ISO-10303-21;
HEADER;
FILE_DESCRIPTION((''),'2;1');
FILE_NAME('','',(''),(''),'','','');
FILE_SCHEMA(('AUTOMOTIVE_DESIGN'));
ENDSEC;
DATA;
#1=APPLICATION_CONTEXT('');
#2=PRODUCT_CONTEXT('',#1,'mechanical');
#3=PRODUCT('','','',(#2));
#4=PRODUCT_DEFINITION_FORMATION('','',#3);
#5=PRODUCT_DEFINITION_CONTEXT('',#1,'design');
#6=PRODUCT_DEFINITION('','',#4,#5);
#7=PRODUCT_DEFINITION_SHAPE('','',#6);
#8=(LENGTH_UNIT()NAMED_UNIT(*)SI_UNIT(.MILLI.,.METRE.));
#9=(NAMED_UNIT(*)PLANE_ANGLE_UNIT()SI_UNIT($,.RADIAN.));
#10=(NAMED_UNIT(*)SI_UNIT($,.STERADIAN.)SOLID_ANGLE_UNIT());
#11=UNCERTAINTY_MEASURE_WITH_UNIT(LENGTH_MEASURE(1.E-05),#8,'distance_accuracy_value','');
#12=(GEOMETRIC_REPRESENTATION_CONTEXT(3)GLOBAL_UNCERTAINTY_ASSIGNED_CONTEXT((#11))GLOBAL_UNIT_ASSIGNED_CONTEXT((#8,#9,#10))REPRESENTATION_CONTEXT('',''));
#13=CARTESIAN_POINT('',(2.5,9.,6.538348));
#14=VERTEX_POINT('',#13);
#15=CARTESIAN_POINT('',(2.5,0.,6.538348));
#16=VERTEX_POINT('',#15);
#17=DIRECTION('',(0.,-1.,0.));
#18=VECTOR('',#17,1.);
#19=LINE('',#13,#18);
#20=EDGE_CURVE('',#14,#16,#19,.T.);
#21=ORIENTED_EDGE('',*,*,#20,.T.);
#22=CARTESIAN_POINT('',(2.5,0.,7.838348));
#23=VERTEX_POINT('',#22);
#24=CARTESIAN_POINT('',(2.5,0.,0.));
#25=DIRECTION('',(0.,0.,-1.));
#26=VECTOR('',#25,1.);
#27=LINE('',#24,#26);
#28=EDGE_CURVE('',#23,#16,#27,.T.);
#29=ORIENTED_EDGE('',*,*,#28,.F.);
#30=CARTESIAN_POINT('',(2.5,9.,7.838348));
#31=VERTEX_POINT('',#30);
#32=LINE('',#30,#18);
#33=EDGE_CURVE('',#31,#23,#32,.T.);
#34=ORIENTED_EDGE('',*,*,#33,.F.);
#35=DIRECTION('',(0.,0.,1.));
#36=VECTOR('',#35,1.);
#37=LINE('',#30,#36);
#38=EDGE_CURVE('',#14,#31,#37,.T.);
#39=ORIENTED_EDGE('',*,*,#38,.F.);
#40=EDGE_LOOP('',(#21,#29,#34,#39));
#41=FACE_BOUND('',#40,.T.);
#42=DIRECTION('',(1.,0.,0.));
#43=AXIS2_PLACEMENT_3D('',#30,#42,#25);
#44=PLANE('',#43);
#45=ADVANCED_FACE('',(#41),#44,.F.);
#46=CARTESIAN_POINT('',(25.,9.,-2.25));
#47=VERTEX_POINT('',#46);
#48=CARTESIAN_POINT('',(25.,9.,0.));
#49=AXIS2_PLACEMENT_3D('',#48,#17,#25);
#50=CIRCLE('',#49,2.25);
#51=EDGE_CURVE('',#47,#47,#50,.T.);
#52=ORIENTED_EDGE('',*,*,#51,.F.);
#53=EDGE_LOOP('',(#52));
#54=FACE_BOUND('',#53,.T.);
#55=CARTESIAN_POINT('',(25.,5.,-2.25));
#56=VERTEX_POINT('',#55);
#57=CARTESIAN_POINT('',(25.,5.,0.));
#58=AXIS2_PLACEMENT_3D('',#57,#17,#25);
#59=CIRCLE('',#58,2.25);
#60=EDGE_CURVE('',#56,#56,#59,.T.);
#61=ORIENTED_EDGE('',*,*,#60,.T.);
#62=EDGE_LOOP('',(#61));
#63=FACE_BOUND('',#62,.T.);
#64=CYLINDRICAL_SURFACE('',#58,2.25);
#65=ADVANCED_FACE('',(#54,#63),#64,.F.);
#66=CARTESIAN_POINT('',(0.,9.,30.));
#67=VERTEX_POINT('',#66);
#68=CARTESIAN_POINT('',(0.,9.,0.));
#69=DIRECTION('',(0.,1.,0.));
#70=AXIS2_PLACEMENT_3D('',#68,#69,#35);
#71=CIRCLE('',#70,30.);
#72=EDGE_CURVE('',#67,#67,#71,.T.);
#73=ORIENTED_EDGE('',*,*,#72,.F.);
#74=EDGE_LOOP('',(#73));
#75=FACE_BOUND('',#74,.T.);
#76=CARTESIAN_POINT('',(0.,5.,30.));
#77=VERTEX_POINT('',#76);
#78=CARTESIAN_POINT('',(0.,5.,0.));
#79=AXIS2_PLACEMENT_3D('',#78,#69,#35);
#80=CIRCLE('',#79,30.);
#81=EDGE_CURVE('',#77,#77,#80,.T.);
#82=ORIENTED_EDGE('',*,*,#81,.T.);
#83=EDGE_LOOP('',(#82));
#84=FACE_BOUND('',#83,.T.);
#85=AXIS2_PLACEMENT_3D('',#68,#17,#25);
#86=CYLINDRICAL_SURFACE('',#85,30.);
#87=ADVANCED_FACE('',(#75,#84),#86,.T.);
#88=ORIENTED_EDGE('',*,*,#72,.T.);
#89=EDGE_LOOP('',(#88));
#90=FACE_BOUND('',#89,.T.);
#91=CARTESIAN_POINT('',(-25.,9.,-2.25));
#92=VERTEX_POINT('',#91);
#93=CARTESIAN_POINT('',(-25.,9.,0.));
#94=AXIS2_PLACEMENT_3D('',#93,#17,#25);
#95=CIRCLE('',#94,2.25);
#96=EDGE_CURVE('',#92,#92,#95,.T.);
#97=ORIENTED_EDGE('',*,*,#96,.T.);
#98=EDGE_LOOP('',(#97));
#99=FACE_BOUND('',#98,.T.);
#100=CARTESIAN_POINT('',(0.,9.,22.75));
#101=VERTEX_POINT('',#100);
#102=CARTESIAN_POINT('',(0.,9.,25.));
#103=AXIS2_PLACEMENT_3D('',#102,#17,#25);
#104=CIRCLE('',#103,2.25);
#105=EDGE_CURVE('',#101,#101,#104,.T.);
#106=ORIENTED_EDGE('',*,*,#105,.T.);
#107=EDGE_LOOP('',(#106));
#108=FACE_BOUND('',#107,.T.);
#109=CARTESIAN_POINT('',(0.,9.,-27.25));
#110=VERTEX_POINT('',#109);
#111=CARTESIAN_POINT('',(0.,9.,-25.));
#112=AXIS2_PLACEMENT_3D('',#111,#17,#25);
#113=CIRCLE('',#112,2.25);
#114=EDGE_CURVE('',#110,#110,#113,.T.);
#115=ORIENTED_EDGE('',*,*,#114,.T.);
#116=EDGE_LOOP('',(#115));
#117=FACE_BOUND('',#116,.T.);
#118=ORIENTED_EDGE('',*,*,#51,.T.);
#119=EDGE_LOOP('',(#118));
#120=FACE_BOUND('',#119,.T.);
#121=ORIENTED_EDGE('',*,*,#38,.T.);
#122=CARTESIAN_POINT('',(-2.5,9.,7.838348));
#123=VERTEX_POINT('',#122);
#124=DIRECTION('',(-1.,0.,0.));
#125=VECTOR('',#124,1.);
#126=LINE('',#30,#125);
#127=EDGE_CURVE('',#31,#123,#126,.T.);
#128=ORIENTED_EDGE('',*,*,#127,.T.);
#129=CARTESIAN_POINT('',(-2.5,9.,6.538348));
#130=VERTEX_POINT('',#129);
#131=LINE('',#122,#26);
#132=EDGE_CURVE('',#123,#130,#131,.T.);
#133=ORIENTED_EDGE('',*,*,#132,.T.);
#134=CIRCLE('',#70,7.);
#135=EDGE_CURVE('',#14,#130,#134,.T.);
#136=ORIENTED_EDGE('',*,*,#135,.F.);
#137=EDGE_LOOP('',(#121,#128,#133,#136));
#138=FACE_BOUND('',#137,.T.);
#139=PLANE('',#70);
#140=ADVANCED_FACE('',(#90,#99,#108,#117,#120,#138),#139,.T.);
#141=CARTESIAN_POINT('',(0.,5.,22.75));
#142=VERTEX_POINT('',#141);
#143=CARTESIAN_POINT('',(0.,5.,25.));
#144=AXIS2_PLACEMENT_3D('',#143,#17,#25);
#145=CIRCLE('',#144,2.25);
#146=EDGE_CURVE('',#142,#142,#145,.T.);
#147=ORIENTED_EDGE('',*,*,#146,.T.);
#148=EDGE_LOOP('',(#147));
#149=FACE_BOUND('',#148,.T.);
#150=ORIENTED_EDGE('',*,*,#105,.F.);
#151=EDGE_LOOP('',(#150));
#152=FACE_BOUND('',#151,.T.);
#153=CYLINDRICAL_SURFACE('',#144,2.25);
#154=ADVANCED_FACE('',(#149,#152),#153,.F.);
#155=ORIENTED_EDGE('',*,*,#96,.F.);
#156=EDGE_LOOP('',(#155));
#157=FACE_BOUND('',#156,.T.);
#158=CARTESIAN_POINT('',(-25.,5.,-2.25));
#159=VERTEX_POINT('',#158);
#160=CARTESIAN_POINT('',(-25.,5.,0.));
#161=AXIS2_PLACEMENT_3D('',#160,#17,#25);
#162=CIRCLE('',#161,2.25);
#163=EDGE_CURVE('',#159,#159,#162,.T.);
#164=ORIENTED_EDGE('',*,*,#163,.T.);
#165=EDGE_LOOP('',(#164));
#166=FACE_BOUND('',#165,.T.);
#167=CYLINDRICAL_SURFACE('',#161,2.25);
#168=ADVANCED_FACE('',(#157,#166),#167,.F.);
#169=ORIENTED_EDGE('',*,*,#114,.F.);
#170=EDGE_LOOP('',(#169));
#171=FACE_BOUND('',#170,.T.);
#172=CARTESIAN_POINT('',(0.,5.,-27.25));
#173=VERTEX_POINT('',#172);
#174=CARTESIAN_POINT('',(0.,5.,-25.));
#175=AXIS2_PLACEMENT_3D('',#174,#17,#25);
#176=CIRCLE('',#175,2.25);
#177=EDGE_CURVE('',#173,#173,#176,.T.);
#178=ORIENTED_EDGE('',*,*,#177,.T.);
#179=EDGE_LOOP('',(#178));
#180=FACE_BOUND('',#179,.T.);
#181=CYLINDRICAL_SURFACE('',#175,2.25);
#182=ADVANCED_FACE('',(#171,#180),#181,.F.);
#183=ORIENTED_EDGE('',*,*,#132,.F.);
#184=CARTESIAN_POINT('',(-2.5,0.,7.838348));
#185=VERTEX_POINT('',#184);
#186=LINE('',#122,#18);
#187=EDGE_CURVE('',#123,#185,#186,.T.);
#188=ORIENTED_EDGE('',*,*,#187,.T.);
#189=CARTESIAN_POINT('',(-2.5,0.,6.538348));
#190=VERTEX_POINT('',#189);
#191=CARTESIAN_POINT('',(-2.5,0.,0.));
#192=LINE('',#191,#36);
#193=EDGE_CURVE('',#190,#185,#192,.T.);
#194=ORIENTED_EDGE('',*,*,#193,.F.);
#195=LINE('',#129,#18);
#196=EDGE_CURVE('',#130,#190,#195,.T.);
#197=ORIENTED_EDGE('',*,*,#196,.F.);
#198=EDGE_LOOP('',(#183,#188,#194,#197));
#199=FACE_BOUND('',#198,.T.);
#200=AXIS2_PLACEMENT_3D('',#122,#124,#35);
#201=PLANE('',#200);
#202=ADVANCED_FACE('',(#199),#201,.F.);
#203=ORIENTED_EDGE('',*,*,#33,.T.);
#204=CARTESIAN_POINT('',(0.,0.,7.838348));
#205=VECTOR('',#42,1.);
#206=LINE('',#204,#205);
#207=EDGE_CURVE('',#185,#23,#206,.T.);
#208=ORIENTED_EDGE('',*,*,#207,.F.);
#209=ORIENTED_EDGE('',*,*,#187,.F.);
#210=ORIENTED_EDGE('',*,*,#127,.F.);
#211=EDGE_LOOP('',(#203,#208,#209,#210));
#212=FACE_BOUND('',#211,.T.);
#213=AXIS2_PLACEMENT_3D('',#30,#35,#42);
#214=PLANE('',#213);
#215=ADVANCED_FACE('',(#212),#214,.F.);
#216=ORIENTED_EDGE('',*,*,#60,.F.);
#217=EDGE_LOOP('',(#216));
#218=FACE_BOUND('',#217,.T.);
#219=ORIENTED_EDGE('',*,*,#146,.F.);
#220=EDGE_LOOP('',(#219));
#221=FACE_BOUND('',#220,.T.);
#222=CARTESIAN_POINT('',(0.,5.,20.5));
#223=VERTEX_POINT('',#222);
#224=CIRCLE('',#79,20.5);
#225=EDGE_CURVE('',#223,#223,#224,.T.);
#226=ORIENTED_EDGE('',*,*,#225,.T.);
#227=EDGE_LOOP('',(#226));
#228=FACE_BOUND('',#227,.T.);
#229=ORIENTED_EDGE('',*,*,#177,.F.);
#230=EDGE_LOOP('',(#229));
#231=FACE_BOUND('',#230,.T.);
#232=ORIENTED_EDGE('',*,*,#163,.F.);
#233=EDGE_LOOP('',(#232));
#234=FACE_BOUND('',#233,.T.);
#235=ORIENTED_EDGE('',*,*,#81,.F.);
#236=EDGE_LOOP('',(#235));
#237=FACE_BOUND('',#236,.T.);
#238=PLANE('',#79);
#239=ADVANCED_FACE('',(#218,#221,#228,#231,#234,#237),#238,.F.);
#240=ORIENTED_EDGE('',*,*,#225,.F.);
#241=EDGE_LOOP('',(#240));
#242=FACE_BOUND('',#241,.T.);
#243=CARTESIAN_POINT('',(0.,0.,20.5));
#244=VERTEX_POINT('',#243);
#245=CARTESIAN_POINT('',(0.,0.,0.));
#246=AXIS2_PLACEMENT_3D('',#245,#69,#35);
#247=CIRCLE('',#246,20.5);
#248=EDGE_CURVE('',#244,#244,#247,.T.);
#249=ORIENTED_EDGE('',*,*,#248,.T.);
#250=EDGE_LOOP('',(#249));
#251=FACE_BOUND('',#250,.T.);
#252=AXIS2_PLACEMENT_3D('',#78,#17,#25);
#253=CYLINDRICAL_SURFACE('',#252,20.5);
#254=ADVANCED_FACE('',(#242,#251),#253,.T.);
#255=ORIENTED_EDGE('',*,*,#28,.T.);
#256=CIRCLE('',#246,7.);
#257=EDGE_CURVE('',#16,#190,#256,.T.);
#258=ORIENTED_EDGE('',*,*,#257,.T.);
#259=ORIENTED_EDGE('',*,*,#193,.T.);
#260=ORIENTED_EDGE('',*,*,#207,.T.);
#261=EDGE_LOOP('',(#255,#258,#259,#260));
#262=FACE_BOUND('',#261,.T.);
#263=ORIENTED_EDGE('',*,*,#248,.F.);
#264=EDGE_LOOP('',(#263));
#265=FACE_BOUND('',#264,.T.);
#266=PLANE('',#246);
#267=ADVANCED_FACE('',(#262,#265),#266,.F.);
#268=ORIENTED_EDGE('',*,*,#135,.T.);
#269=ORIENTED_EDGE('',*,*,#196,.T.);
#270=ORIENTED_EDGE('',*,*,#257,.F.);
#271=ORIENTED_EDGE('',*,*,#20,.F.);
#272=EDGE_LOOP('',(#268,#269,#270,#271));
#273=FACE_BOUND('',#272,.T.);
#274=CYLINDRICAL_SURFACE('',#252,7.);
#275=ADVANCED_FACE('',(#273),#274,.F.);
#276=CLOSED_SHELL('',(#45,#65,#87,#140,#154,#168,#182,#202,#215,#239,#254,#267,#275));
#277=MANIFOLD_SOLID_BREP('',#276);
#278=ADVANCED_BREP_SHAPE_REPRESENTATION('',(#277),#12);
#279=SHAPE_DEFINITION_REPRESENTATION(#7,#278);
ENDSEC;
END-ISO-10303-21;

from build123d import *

# Parameters (mm, degrees)
SKIZZE1_R                            = 20.5
SKIZZE1_R_2                          = 7
AUFSATZ_LINEAR_AUSTRAGEN1_DEPTH      = 5
SKIZZE3_R                            = 30
SKIZZE3_R_2                          = 7
AUFSATZ_LINEAR_AUSTRAGEN2_DEPTH      = 4
DURCHGANGSLOCH_F_R_M41_D             = 4.5
SCHNITT_LINEAR_AUSTRAGEN1_DEPTH      = 44.370496884
SCHNITT_LINEAR_AUSTRAGEN1_DEPTH_BACK = 44.370496884


with BuildPart() as part:
    # Skizze1 → Aufsatz-Linear austragen1 (new body)
    with BuildSketch(Plane(origin=(0, 0, 0), x_dir=(1, 0, 0), z_dir=(0, 1, 0))):
        with Locations(Location((0, 0, 0), (0, 0, 270))):
            Circle(SKIZZE1_R)
        with Locations(Location((0, 0, 0), (0, 0, 270))):
            Circle(SKIZZE1_R_2, mode=Mode.SUBTRACT)
    extrude(amount=AUFSATZ_LINEAR_AUSTRAGEN1_DEPTH)

    # Skizze3 → Aufsatz-Linear austragen2 (add)
    with BuildSketch(Plane(origin=(0, 5, 0), x_dir=(1, 0, 0), z_dir=(0, 1, 0))):
        with Locations(Location((0, 0, 0), (0, 0, 270))):
            Circle(SKIZZE3_R)
        with Locations(Location((0, 0, 0), (0, 0, 270))):
            Circle(SKIZZE3_R_2, mode=Mode.SUBTRACT)
    extrude(amount=AUFSATZ_LINEAR_AUSTRAGEN2_DEPTH)

    # Durchgangsloch für M41 (through all)
    with Locations(Plane(origin=(0, 5, 0), x_dir=(-1, 0, 0), z_dir=(0, -1, 0))):
        with Locations((0, 25), (-25, 0), (0, -25), (25, 0)):
            Hole(DURCHGANGSLOCH_F_R_M41_D / 2)

    # Skizze6 → Schnitt-Linear austragen1 (cut, two sides: drawn at the far end of the back side and taken through both)
    with BuildSketch(Plane.XZ.offset(-SCHNITT_LINEAR_AUSTRAGEN1_DEPTH_BACK)):
        with BuildLine():
            Line((2.5, 7.838348415), (-2.5, 7.838348415))
            Line((-2.5, 7.838348415), (-2.5, 6.538348415))
            ThreePointArc((-2.5, 6.538348415), (0, 7), (2.5, 6.538348415))
            Line((2.5, 6.538348415), (2.5, 7.838348415))
        make_face()
    extrude(amount=SCHNITT_LINEAR_AUSTRAGEN1_DEPTH + SCHNITT_LINEAR_AUSTRAGEN1_DEPTH_BACK, mode=Mode.SUBTRACT)


solid = part.part
